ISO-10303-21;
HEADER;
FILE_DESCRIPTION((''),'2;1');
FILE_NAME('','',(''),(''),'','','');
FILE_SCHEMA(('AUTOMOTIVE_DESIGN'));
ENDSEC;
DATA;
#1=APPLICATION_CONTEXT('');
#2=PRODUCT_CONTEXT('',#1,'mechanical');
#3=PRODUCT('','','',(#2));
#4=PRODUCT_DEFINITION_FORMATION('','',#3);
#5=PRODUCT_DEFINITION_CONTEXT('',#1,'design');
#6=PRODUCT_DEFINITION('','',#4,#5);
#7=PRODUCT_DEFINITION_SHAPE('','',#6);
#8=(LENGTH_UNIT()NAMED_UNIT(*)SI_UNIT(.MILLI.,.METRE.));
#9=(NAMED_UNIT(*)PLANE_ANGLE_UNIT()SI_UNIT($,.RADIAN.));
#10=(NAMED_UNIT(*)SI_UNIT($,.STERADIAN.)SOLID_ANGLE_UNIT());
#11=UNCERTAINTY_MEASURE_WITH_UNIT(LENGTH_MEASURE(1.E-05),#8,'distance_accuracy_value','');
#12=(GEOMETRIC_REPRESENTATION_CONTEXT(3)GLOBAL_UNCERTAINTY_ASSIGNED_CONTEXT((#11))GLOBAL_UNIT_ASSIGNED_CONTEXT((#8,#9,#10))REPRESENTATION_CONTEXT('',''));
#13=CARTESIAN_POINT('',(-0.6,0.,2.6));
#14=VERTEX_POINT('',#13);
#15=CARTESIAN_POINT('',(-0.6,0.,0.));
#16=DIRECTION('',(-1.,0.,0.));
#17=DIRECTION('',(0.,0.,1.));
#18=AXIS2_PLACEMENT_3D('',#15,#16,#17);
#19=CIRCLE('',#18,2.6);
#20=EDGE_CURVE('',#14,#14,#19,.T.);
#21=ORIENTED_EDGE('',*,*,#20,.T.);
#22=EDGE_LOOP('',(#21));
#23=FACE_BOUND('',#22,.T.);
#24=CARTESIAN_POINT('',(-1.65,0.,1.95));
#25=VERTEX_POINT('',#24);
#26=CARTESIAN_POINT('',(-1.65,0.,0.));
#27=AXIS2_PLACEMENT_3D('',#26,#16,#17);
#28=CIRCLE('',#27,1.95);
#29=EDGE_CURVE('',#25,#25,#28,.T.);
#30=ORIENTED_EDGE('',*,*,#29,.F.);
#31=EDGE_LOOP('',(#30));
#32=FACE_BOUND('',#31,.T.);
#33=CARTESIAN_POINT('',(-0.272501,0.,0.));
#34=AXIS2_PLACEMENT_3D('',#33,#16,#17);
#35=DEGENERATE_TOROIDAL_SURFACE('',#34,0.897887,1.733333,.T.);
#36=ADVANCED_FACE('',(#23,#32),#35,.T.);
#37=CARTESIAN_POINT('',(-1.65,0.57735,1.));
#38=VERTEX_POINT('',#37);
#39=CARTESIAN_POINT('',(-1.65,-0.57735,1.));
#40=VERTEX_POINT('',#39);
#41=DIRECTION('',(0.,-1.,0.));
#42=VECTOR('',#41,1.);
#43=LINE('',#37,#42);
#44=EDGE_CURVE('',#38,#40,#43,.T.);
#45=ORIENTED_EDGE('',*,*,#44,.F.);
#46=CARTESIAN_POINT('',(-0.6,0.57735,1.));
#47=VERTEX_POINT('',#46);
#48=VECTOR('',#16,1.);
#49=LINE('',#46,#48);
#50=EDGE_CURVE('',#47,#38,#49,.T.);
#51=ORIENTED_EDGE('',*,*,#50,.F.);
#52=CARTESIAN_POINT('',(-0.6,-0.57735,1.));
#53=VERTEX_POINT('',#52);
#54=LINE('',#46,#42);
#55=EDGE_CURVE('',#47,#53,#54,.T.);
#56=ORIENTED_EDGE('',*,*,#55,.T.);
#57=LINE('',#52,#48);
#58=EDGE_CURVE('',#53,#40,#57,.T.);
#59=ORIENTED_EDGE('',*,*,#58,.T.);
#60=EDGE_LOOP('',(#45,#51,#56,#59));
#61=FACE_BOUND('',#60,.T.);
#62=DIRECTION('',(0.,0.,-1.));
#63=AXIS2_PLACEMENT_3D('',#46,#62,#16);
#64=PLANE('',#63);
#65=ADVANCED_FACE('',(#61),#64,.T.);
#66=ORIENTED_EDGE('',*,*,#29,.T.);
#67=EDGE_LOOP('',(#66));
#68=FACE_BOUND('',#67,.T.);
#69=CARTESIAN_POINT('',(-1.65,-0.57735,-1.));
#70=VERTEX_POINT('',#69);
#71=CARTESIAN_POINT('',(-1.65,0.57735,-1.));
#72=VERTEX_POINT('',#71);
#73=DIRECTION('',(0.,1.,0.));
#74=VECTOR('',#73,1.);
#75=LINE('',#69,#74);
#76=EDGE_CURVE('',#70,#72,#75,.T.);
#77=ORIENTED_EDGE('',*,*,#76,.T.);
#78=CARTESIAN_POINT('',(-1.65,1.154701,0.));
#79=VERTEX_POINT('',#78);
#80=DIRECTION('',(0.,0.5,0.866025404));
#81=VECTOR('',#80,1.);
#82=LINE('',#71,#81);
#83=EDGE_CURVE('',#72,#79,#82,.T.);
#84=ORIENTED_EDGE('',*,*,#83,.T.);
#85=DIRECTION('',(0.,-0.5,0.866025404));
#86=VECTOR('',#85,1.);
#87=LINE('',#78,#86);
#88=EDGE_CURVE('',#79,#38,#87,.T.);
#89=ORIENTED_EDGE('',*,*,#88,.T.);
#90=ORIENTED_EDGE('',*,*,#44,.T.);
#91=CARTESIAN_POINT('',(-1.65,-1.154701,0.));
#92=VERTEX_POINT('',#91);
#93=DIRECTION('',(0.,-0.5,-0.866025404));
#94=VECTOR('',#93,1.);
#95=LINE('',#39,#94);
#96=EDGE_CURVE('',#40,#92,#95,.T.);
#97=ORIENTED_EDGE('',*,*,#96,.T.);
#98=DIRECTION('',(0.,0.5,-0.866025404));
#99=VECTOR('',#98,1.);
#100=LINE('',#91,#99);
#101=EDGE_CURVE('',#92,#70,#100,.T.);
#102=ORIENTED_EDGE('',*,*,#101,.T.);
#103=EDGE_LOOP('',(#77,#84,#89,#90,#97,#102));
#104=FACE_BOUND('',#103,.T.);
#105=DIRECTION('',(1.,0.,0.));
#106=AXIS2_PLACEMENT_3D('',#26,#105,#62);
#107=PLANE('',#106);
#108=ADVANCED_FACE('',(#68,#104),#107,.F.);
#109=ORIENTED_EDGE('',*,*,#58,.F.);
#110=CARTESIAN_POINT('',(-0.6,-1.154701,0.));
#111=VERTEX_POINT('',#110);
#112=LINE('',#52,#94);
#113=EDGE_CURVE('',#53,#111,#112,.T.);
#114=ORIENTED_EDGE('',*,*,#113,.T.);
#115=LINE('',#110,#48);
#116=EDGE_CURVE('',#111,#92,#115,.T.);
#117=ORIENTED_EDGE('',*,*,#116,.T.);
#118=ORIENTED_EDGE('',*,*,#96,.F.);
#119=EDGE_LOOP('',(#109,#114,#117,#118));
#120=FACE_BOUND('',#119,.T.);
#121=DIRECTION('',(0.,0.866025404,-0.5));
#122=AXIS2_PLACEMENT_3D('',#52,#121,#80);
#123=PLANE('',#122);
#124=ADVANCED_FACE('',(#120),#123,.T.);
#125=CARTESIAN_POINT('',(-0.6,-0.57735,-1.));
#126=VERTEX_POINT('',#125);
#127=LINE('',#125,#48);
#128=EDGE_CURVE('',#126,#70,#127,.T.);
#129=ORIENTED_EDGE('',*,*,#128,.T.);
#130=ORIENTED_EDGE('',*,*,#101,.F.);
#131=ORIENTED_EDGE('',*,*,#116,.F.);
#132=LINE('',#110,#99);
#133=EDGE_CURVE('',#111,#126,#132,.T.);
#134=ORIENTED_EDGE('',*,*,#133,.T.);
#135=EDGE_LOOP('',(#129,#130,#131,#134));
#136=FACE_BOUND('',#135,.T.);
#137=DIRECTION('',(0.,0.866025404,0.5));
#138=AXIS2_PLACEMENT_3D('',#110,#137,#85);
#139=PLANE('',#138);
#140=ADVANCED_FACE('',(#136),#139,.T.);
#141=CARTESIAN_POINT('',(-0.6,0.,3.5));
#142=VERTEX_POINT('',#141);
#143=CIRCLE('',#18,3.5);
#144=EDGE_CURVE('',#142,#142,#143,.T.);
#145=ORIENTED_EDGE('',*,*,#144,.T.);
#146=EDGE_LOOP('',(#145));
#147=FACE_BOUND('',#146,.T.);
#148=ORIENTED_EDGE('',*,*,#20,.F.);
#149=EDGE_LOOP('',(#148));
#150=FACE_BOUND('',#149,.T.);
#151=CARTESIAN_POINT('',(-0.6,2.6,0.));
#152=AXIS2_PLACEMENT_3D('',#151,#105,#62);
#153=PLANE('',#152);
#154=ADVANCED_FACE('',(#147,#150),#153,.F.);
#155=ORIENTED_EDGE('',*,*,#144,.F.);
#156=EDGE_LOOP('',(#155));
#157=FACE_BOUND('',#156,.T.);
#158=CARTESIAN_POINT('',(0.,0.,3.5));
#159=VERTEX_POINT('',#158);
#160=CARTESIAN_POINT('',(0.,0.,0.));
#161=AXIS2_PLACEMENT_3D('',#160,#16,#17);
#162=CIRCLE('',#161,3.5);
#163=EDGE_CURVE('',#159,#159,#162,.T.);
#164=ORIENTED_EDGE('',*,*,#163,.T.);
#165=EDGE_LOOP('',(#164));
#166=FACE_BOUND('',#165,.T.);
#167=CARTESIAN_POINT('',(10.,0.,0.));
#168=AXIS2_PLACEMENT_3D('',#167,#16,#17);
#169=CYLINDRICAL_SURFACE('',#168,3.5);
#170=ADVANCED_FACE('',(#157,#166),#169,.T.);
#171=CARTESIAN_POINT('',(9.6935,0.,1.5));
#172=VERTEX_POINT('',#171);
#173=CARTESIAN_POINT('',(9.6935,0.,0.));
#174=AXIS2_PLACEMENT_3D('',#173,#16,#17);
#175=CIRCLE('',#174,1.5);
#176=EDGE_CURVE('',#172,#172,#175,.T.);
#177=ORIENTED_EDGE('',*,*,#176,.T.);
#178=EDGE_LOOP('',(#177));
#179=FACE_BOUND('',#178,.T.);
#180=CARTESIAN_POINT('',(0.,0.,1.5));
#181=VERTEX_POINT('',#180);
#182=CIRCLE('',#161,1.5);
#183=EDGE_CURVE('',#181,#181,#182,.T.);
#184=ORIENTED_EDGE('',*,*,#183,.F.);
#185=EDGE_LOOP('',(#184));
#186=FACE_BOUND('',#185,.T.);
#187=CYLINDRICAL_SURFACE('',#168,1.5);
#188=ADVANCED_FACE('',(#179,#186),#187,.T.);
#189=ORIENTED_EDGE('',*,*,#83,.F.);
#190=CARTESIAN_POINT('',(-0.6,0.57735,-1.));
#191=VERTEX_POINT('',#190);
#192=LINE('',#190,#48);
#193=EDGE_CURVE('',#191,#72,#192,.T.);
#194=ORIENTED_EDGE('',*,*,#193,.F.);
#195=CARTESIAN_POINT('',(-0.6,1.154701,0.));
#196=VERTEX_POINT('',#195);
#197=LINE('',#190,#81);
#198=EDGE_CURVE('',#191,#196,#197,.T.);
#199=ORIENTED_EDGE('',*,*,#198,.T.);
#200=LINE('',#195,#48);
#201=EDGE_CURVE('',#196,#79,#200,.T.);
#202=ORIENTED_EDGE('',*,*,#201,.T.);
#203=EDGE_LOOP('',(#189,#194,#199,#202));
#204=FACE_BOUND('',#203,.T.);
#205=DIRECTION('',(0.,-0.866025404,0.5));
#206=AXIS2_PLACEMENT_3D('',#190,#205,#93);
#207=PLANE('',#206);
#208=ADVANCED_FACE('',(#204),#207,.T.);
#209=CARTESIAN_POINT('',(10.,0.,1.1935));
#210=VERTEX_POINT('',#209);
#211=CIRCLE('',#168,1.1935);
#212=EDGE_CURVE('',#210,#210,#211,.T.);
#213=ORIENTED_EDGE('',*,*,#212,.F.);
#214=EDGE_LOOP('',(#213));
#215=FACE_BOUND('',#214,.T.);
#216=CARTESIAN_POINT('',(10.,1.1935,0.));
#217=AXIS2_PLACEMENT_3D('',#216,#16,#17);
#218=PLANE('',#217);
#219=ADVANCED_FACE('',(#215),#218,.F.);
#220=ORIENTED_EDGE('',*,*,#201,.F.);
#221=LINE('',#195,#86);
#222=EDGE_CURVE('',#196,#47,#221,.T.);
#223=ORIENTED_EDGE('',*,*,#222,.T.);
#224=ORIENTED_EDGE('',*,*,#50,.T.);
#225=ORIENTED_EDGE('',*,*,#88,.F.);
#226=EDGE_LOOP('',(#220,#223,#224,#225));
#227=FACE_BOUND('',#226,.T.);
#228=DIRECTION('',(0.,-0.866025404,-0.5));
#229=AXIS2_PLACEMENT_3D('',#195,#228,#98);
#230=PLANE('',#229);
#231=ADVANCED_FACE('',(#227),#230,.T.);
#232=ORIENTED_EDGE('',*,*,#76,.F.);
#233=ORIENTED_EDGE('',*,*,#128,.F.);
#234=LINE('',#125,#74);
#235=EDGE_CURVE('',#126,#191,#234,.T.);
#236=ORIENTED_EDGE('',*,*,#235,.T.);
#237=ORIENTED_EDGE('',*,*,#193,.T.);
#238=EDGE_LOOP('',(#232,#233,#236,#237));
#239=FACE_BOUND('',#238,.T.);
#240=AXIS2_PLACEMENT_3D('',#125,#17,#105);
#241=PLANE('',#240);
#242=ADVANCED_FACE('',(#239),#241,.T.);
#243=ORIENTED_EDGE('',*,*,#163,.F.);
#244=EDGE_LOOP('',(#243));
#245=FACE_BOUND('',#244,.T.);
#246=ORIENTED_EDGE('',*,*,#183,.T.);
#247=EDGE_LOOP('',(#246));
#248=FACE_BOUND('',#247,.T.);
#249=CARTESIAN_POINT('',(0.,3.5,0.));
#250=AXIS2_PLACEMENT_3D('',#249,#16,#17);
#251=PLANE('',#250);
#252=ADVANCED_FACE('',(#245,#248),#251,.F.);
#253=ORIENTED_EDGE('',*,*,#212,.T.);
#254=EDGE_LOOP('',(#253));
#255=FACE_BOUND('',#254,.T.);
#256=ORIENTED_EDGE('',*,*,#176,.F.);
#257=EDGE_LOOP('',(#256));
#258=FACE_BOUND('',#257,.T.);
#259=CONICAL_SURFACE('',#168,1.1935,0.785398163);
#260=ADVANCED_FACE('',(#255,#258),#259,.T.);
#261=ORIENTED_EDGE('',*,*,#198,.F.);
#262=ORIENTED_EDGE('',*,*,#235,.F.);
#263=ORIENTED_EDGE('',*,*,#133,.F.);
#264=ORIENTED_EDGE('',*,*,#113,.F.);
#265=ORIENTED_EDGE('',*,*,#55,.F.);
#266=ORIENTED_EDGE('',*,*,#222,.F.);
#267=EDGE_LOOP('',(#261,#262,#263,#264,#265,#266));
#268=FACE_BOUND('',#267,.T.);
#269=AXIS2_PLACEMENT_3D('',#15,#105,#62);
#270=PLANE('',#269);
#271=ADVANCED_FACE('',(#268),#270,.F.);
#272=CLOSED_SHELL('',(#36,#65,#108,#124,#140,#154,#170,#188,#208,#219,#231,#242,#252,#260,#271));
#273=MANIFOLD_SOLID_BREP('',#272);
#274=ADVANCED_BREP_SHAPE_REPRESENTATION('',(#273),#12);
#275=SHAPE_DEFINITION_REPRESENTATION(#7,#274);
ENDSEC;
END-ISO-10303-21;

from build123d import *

# Parameters (mm, degrees)
CUT_EXTRUDE1_DEPTH = 1.05


with BuildPart() as part:
    # Sketch1 → Revolve1 (revolve)
    with BuildSketch(Plane.XY):
        with BuildLine():
            Line((-1.65, 0), (-1.65, 1.95))
            ThreePointArc((-1.65, 1.95), (-1.184849394, 2.371679791), (-0.6, 2.6))
            Line((-0.6, 2.6), (-0.6, 3.5))
            Line((-0.6, 3.5), (0, 3.5))
            Line((0, 3.5), (0, 1.5))
            Line((0, 1.5), (9.6935, 1.5))
            Line((9.6935, 1.5), (10, 1.1935))
            Line((10, 1.1935), (10, 0))
            Line((10, 0), (-1.65, 0))
        make_face()
    revolve(axis=Axis((10, 0, 0), (-1, 0, 0)))

    # Sketch2 → Cut-Extrude1 (cut)
    with BuildSketch(Plane(origin=(-1.65, 0, 0), x_dir=(0, 0, -1), z_dir=(1, 0, 0))):
        Polygon((-1, -0.577350269), (0, -1.154700538), (1, -0.577350269), (1, 0.577350269), (0, 1.154700538), (-1, 0.577350269), align=None)
    extrude(amount=CUT_EXTRUDE1_DEPTH, mode=Mode.SUBTRACT)


solid = part.part
